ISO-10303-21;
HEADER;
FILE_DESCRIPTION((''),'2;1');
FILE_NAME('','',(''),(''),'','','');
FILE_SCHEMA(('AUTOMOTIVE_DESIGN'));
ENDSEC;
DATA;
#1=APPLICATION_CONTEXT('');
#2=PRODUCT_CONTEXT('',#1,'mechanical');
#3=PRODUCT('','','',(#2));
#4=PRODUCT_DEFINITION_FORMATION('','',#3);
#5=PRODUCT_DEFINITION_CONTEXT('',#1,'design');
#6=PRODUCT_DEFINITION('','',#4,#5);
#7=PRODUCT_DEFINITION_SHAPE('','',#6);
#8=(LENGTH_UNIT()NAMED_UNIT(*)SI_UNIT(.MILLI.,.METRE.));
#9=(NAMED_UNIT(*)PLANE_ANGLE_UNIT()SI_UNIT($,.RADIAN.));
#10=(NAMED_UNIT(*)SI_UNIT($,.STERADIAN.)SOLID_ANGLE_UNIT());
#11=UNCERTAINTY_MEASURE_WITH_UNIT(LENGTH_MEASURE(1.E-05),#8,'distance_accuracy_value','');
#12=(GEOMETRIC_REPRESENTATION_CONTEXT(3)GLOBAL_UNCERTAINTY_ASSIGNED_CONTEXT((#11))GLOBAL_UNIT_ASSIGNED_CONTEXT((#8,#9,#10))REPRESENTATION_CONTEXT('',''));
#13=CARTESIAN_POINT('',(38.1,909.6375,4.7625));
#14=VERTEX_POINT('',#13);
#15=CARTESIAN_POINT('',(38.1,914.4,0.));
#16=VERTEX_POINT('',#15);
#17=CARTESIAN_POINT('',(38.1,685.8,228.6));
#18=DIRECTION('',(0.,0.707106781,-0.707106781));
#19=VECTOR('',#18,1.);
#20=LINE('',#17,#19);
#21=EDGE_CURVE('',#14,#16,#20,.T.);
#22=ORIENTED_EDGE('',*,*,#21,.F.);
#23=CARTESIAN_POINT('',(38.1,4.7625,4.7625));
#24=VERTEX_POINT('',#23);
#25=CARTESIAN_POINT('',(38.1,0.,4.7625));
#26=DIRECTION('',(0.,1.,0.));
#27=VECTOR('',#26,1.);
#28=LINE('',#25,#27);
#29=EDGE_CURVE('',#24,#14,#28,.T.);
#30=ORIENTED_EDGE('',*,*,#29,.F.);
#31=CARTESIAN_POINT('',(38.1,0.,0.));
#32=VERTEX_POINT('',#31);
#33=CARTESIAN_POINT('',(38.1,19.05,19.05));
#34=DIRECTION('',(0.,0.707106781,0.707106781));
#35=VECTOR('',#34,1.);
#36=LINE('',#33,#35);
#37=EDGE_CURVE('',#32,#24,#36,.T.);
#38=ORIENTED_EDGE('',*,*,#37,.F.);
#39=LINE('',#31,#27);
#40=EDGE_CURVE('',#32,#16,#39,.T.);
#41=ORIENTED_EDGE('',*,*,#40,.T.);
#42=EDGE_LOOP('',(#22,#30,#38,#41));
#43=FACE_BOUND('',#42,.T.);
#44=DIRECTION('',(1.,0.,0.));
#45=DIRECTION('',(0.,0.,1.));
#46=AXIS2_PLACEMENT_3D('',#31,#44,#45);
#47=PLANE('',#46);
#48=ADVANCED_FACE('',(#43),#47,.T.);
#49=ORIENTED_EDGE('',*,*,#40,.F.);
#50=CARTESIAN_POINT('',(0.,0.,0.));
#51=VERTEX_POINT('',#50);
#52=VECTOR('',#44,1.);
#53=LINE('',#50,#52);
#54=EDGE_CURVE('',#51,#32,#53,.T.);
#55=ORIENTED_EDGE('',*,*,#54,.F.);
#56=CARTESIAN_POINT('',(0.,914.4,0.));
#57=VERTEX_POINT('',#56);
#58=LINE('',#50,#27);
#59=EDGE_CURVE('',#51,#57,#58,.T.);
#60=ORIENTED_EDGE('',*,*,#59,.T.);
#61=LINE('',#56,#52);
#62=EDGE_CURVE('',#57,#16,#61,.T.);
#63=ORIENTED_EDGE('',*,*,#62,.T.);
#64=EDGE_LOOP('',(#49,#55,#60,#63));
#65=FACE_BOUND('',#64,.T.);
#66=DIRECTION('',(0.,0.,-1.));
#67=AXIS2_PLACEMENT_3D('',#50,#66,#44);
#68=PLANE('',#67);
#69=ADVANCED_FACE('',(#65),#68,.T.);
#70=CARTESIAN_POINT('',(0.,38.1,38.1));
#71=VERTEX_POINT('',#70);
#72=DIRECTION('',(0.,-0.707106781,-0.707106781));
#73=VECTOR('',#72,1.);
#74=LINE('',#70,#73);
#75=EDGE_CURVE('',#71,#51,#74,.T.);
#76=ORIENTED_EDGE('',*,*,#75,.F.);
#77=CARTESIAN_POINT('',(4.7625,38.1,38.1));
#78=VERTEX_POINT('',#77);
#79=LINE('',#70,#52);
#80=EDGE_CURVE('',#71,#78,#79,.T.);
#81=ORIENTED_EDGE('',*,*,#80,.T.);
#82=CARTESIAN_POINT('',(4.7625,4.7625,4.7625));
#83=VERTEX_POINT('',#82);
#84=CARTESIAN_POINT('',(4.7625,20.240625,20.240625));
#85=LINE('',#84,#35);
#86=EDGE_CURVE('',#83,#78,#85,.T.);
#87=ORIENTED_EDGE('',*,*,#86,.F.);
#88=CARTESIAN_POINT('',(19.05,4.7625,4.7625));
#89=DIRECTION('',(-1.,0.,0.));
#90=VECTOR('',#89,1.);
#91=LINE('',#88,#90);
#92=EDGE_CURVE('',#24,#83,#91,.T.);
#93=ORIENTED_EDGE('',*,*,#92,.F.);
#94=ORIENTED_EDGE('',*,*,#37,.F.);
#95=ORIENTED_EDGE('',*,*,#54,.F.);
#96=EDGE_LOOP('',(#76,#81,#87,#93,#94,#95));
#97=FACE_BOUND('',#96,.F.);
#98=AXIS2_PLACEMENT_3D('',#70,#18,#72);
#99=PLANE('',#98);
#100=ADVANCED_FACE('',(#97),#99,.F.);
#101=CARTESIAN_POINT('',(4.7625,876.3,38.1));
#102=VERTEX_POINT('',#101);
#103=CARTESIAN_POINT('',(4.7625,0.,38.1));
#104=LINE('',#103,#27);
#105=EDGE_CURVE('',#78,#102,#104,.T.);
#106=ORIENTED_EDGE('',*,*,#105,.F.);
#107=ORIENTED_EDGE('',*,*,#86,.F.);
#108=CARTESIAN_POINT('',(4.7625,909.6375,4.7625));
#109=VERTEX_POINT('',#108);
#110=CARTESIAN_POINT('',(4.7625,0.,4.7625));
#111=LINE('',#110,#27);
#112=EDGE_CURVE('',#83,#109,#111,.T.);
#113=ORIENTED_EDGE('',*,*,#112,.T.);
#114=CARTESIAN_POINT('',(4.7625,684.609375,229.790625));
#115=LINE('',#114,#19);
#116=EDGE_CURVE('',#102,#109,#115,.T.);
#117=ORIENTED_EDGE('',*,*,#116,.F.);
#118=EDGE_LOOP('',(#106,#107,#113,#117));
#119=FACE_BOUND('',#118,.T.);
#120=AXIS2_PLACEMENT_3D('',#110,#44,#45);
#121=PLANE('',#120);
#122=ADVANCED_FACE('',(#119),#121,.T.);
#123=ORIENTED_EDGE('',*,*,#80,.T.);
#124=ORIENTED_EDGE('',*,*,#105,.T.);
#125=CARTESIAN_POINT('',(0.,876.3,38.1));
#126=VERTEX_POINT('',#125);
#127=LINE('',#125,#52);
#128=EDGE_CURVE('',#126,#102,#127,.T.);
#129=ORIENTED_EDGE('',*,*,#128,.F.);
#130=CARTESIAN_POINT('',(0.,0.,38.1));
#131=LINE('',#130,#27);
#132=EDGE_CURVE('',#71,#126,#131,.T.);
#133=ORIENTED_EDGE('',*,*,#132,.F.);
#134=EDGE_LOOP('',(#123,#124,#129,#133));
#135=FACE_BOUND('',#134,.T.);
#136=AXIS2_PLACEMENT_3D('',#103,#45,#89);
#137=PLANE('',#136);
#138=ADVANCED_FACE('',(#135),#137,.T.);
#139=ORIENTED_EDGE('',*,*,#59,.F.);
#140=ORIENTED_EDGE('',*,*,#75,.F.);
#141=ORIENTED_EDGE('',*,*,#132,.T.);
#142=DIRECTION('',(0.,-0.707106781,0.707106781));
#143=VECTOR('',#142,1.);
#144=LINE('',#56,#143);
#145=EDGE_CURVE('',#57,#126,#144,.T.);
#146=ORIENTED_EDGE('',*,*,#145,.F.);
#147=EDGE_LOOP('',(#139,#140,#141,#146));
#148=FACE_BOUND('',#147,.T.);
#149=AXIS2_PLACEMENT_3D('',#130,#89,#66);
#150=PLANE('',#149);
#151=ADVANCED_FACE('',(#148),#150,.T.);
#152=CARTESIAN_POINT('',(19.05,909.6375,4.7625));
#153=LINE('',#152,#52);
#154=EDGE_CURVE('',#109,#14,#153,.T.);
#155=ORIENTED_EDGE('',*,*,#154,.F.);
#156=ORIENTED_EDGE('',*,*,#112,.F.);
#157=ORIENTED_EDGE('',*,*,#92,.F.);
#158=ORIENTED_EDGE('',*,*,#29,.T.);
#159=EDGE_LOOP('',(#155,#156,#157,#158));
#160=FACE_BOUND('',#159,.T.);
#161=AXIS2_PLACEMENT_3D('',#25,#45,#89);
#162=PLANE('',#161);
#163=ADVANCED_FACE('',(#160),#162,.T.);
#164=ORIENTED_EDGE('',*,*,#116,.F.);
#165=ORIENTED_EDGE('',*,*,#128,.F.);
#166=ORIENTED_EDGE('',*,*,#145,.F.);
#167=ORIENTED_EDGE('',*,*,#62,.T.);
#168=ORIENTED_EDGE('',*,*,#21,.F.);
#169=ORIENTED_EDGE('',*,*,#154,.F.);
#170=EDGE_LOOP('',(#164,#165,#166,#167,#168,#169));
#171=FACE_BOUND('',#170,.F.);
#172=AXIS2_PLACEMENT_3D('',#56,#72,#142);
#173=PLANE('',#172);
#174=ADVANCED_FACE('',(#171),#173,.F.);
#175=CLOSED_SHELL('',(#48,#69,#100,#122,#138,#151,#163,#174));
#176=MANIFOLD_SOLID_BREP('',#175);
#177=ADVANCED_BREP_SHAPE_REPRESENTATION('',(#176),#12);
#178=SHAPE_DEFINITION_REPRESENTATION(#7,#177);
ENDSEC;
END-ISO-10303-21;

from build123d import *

# Parameters (mm, degrees)
F1_DEPTH = 914.4
F3_DEPTH = 38.101


with BuildPart() as f1:
    # F0 (on Front) → F1 (new body)
    with BuildSketch(Plane.XZ):
        Polygon((0, 38.1), (0, 0), (38.1, 0), (38.1, 4.7625), (4.7625, 4.7625), (4.7625, 38.1), align=None)
    extrude(amount=-F1_DEPTH)

    # F2 (on face) → F3 (cut, through all)
    with BuildSketch(Plane(origin=(0, 0, 0), x_dir=(0, -1, 0), z_dir=(-1, 0, 0))):
        Polygon((0, 38.1), (-38.1, 38.1), (0, 0), align=None)
        Polygon((-876.3, 38.1), (-914.4, 38.1), (-914.4, 0), align=None)
    extrude(amount=-F3_DEPTH, mode=Mode.SUBTRACT)


solid = f1.part
